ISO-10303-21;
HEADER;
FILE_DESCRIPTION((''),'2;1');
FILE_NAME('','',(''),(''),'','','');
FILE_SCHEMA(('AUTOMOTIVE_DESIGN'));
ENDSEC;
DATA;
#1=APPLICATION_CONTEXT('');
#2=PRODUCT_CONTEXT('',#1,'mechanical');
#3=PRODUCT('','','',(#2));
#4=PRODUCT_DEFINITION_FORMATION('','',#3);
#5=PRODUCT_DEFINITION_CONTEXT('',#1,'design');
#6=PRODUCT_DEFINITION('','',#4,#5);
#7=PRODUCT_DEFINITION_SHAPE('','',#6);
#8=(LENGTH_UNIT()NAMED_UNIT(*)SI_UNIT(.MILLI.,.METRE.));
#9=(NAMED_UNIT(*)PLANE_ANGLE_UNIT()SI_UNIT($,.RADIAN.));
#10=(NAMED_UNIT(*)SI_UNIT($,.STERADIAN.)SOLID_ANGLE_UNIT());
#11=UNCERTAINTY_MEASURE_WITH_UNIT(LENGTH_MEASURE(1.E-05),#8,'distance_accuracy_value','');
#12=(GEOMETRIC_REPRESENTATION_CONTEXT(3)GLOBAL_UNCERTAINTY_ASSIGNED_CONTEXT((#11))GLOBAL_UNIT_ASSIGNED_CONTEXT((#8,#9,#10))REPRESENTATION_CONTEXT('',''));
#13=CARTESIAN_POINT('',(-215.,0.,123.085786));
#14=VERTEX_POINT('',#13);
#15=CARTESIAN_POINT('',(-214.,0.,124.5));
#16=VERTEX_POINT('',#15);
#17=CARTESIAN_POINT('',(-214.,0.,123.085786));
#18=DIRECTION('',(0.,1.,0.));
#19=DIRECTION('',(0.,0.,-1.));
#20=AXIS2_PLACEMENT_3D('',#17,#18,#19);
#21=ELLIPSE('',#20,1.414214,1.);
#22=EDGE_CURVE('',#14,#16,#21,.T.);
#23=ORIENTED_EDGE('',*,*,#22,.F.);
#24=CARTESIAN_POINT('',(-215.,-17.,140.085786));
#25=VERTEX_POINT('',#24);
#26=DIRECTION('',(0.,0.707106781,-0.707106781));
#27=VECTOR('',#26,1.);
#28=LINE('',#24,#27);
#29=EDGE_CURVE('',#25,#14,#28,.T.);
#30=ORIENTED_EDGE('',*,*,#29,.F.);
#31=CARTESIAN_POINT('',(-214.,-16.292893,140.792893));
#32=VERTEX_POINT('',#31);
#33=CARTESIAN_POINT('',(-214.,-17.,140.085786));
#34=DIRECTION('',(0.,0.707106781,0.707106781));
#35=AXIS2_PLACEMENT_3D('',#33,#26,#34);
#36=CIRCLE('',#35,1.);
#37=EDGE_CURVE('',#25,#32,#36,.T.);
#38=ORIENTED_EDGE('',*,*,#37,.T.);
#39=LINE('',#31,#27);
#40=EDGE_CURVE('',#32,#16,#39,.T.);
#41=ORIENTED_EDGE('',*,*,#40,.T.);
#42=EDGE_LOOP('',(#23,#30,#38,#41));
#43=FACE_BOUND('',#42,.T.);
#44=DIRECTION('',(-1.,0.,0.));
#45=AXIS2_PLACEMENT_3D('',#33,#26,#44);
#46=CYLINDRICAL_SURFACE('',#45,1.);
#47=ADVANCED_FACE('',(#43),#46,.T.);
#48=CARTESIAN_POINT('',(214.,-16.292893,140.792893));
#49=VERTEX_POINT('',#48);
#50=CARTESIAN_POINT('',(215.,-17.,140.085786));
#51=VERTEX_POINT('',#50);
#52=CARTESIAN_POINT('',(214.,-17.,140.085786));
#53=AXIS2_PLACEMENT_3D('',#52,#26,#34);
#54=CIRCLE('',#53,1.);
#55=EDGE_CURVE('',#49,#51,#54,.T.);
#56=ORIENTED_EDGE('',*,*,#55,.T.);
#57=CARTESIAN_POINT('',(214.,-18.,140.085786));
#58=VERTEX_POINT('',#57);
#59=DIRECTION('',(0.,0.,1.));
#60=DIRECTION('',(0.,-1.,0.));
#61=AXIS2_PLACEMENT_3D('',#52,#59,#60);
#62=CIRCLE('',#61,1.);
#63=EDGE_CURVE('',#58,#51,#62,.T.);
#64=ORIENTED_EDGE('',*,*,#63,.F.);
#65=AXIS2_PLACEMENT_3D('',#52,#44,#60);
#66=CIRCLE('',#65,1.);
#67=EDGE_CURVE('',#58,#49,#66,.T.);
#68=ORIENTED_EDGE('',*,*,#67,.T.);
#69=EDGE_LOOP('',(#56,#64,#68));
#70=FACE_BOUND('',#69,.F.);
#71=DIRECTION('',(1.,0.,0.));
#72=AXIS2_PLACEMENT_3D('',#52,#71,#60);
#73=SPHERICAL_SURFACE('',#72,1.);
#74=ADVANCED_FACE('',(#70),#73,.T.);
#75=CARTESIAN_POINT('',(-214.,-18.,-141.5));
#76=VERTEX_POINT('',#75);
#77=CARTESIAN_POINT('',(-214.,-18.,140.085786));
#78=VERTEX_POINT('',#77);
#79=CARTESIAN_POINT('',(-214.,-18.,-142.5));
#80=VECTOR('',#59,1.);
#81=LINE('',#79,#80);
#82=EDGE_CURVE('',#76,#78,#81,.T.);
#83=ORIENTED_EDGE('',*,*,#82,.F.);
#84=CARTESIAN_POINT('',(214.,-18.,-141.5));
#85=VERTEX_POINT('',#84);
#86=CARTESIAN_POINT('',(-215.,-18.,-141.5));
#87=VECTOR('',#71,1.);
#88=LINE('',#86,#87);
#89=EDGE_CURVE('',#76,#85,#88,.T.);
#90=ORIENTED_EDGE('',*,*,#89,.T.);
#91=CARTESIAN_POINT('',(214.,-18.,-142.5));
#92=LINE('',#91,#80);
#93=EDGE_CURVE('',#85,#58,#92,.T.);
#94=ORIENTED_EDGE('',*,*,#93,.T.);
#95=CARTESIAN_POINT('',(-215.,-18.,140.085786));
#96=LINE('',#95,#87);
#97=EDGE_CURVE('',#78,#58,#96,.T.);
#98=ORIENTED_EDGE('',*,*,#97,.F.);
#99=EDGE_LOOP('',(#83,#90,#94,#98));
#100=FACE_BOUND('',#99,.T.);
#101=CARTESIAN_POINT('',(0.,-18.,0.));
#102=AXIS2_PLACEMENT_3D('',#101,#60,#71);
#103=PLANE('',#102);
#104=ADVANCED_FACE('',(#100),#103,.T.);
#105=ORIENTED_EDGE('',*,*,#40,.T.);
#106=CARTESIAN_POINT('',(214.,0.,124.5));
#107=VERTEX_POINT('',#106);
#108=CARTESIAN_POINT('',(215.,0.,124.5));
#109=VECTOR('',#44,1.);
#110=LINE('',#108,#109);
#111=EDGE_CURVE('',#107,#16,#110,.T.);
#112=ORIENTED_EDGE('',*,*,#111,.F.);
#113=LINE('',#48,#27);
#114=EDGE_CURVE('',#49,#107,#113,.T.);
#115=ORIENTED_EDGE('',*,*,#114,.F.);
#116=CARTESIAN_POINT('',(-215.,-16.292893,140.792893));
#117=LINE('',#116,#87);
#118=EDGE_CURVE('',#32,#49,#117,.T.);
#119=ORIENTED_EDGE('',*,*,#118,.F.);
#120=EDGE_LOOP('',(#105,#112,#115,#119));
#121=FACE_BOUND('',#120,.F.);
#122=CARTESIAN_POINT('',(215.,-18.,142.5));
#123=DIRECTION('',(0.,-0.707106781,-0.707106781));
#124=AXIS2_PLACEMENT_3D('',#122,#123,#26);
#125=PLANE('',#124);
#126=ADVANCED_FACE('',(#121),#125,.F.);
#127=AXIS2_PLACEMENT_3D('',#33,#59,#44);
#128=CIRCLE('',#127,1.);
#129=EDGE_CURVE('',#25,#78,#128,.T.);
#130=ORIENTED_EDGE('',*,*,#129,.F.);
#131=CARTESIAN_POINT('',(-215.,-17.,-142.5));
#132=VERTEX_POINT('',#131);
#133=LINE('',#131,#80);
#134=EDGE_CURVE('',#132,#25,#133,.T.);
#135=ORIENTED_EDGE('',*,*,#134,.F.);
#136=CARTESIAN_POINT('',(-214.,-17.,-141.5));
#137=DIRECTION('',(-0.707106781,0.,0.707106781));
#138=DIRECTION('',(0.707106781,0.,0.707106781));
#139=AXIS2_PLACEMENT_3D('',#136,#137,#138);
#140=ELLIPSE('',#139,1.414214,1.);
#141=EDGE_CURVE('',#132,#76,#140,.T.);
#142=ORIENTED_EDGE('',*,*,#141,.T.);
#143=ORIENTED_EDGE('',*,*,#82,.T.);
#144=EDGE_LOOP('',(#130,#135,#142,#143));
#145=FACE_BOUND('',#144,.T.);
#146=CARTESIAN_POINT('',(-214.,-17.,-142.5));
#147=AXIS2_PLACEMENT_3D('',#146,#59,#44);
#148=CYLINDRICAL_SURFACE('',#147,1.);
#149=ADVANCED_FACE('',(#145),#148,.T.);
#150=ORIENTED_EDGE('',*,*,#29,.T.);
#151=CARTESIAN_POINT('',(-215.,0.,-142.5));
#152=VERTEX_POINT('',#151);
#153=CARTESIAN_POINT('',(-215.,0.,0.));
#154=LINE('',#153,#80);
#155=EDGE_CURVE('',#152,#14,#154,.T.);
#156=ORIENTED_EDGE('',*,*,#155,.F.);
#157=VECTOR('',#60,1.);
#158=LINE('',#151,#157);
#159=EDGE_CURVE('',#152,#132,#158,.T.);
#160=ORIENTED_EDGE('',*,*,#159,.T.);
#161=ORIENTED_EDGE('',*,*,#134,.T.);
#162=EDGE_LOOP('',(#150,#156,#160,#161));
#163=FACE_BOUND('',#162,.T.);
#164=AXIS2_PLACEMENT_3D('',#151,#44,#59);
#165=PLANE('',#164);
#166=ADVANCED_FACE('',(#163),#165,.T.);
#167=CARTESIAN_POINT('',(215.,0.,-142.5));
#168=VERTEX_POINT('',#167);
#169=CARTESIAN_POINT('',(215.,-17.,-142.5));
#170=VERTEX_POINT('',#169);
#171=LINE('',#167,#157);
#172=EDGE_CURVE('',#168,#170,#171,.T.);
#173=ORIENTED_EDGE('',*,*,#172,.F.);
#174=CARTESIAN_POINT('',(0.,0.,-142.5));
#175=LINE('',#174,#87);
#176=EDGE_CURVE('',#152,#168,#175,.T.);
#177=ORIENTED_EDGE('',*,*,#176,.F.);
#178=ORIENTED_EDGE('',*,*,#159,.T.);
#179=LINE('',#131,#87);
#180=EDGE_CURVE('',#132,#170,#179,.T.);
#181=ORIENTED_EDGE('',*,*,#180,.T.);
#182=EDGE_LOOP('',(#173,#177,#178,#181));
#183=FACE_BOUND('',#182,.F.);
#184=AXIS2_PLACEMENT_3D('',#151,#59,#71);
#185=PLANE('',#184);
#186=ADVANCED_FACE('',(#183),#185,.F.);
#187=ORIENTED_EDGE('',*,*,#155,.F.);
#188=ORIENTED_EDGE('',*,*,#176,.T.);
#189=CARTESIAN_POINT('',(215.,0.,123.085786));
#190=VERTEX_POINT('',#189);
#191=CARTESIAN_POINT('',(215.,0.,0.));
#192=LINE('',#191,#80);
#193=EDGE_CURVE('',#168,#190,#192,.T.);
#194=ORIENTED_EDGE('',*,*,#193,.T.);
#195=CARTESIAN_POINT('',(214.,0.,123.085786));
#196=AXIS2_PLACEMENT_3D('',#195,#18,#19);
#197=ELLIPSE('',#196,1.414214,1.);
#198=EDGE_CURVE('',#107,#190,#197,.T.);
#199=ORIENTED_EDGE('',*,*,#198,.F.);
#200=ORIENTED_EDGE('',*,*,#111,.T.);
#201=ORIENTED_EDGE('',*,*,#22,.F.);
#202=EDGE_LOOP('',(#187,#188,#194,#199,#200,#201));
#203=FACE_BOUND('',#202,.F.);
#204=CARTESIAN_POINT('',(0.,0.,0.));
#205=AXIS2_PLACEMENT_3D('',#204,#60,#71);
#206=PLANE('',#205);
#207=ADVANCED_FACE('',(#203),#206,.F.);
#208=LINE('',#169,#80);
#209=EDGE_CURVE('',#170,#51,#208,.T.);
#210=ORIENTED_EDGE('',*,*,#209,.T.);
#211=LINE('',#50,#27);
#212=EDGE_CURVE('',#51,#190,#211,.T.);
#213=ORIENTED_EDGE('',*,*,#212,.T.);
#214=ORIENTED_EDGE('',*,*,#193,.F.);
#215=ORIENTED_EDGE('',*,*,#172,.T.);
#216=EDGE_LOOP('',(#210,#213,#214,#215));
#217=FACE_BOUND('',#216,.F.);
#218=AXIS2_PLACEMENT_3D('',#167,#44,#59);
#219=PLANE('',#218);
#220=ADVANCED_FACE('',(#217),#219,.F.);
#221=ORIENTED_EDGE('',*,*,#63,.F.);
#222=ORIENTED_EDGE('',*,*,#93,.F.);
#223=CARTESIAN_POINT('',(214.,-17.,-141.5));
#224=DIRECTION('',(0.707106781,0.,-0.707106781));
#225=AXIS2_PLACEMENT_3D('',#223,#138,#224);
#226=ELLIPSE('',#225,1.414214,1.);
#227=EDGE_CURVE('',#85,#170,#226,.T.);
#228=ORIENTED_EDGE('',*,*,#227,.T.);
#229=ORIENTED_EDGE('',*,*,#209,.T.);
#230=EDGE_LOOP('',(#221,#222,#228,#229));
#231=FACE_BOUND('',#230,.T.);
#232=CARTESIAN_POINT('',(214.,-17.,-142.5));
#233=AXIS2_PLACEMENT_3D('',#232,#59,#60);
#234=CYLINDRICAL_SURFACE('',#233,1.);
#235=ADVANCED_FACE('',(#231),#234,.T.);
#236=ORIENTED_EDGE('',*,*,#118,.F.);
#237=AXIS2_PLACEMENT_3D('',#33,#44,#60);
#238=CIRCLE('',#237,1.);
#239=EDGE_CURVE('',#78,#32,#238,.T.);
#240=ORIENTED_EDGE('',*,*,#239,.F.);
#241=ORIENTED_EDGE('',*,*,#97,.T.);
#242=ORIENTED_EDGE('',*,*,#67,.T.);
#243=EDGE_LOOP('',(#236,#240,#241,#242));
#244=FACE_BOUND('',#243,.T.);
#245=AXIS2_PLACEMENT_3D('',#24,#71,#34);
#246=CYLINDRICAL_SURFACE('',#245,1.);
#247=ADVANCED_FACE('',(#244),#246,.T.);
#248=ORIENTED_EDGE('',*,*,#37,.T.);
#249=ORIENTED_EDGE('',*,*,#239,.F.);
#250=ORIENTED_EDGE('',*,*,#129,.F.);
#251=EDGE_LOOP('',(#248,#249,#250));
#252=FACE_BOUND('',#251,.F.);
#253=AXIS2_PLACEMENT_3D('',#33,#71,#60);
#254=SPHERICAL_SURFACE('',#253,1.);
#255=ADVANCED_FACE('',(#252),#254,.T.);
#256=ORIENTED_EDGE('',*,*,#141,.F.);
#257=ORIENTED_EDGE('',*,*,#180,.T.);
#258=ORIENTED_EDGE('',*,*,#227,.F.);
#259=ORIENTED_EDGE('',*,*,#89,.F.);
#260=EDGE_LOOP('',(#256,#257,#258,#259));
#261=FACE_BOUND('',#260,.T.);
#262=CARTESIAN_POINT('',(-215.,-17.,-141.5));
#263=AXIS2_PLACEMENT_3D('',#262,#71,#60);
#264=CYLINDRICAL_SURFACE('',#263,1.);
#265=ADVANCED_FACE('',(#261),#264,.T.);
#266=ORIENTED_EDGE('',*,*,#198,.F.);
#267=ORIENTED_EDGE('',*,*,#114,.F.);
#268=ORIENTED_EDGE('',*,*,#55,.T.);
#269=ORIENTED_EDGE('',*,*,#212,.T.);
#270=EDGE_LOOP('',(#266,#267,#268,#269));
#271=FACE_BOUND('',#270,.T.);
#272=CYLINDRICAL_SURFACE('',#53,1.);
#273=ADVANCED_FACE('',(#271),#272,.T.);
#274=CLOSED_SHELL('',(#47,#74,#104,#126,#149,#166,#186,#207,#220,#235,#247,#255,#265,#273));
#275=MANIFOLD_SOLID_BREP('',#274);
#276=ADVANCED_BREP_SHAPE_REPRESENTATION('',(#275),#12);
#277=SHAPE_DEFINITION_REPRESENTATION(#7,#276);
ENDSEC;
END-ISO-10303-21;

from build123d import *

# Parameters (mm, degrees)
F0_W     = 430
F0_H     = 285
F1_DEPTH = 18
F3_DEPTH = 438
F4_R     = 1
F5_R     = 1


with BuildPart() as f1:
    # F0 (on Front) → F1 (new body)
    with BuildSketch(Plane.XZ):
        Rectangle(F0_W, F0_H)
    extrude(amount=F1_DEPTH)

    # F2 (on face) → F3 (cut)
    with BuildSketch(Plane.YZ.offset(215)):
        Polygon((0, 142.5), (-18, 142.5), (0, 124.5), align=None)
    extrude(amount=-F3_DEPTH, mode=Mode.SUBTRACT)

    # F4
    f4_edges = [f1.edges().sort_by_distance(p)[0] for p in [
        (0, -18, 142.5),
    ]]
    fillet(f4_edges, radius=F4_R)

    # F5
    f5_edges = [f1.edges().sort_by_distance(p)[0] for p in [
        (-215, -18, -1.207107),
        (0, -18, -142.5),
        (215, -18, -1.207107),
    ]]
    fillet(f5_edges, radius=F5_R)


solid = f1.part
